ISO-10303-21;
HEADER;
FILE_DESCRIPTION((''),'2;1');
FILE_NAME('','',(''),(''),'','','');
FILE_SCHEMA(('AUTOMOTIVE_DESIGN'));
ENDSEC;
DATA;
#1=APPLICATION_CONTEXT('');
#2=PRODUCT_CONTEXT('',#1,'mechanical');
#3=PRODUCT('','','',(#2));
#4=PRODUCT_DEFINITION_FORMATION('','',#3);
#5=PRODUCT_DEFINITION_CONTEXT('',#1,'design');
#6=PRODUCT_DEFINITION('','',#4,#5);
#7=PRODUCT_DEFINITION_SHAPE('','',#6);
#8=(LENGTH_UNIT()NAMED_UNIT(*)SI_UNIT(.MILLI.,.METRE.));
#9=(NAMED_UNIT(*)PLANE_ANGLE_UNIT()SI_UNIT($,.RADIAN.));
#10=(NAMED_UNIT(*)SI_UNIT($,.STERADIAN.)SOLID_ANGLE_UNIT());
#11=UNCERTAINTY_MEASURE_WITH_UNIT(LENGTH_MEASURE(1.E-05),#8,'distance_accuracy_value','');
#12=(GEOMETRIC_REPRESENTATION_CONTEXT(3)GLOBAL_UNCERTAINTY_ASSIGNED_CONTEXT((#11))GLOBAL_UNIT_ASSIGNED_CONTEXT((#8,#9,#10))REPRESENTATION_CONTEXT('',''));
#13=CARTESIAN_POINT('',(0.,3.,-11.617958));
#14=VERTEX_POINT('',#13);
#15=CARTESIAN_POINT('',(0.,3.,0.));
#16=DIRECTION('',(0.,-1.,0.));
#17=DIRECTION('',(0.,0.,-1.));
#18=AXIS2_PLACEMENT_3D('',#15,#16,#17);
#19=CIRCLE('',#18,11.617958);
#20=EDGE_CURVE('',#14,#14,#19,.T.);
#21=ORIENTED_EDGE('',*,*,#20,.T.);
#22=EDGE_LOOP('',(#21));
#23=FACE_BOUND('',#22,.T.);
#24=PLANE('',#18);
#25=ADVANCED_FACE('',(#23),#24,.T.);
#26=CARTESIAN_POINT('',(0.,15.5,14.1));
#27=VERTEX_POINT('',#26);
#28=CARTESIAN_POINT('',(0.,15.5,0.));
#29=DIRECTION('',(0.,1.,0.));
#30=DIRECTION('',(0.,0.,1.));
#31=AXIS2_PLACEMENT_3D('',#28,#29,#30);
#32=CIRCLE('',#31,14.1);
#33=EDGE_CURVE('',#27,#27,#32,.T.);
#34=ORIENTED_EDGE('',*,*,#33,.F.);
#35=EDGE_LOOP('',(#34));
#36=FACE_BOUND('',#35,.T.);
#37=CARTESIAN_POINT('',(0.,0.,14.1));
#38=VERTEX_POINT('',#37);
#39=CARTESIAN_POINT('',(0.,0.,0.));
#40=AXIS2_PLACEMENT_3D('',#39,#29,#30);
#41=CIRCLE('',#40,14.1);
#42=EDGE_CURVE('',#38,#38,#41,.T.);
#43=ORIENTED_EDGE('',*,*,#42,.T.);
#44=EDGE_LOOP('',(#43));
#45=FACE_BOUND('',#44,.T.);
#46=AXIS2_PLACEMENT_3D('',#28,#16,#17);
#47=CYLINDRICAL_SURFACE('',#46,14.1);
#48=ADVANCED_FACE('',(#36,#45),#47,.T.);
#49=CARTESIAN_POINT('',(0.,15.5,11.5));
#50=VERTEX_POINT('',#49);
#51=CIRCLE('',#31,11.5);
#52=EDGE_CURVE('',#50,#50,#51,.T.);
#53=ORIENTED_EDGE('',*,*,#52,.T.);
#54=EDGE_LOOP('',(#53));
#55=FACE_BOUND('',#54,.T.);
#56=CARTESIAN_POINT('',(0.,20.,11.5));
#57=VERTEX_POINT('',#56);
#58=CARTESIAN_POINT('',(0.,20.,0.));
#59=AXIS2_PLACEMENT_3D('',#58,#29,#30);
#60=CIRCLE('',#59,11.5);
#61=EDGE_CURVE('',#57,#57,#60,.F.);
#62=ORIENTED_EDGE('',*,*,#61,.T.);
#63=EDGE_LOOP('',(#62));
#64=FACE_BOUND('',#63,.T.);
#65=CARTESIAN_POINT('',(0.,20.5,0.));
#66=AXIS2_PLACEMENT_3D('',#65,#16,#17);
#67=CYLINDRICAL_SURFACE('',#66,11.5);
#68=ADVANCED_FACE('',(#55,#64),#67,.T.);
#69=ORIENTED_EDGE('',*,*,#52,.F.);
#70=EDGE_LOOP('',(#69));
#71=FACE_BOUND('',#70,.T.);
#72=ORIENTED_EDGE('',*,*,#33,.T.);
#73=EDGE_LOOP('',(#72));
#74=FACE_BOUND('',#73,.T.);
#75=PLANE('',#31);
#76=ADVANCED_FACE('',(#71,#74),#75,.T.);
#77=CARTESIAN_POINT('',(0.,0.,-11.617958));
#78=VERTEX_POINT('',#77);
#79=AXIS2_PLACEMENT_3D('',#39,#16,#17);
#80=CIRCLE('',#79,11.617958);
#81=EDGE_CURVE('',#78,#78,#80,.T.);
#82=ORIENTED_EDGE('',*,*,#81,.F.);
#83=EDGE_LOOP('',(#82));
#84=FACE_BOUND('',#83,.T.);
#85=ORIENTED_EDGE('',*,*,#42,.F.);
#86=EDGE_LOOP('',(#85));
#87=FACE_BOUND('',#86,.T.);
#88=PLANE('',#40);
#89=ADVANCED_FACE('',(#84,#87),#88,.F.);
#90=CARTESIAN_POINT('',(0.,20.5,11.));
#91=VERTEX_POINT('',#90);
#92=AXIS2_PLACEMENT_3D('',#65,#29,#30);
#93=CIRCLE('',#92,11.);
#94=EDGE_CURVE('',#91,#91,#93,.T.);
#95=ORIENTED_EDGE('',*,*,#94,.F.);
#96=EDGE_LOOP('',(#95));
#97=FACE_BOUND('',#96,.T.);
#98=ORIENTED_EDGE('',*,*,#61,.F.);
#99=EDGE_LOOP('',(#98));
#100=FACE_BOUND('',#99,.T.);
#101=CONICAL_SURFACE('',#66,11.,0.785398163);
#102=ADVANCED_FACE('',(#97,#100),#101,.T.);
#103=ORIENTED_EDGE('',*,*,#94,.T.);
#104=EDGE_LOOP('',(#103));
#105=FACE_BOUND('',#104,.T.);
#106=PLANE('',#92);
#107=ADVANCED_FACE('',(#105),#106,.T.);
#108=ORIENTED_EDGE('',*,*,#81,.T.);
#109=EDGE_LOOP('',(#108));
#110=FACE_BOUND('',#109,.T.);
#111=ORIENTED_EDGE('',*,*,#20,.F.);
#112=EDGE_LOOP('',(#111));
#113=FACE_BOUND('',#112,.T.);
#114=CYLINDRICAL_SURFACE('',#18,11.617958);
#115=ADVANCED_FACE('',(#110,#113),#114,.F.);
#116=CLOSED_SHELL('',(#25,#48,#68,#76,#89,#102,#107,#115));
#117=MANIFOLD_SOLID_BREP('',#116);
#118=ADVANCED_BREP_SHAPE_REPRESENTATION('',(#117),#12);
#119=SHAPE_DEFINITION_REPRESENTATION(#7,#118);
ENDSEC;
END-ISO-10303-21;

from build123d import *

# Parameters (mm, degrees)
SKETCH1_R      = 14.1
EXTRUDE1_DEPTH = 15.5
SKETCH2_R      = 11.5
EXTRUDE2_DEPTH = 5
CHAMFER1_SIZE  = 0.5
SKETCH3_R      = 11.617958336
EXTRUDE3_DEPTH = 3


with BuildPart() as part:
    # Sketch1 → Extrude1 (new body)
    with BuildSketch(Plane(origin=(0, 0, 0), x_dir=(1, 0, 0), z_dir=(0, 1, 0))):
        with Locations(Location((0, 0, 0), (0, 0, 270))):
            Circle(SKETCH1_R)
    extrude(amount=EXTRUDE1_DEPTH)

    # Sketch2 → Extrude2 (add)
    with BuildSketch(Plane(origin=(0, 15.5, 0), x_dir=(1, 0, 0), z_dir=(0, 1, 0))):
        with Locations(Location((0, 0, 0), (0, 0, 270))):
            Circle(SKETCH2_R)
    extrude(amount=EXTRUDE2_DEPTH)

    # Chamfer1
    chamfer1_edges = [part.edges().sort_by_distance(p)[0] for p in [
        (0, 20.5, -11.5),
    ]]
    chamfer(chamfer1_edges, length=CHAMFER1_SIZE)

    # Sketch3 → Extrude3 (cut)
    with BuildSketch(Plane.XZ):
        with Locations(Location((0, 0, 0), (0, 0, 270))):
            Circle(SKETCH3_R)
    extrude(amount=-EXTRUDE3_DEPTH, mode=Mode.SUBTRACT)


solid = part.part
